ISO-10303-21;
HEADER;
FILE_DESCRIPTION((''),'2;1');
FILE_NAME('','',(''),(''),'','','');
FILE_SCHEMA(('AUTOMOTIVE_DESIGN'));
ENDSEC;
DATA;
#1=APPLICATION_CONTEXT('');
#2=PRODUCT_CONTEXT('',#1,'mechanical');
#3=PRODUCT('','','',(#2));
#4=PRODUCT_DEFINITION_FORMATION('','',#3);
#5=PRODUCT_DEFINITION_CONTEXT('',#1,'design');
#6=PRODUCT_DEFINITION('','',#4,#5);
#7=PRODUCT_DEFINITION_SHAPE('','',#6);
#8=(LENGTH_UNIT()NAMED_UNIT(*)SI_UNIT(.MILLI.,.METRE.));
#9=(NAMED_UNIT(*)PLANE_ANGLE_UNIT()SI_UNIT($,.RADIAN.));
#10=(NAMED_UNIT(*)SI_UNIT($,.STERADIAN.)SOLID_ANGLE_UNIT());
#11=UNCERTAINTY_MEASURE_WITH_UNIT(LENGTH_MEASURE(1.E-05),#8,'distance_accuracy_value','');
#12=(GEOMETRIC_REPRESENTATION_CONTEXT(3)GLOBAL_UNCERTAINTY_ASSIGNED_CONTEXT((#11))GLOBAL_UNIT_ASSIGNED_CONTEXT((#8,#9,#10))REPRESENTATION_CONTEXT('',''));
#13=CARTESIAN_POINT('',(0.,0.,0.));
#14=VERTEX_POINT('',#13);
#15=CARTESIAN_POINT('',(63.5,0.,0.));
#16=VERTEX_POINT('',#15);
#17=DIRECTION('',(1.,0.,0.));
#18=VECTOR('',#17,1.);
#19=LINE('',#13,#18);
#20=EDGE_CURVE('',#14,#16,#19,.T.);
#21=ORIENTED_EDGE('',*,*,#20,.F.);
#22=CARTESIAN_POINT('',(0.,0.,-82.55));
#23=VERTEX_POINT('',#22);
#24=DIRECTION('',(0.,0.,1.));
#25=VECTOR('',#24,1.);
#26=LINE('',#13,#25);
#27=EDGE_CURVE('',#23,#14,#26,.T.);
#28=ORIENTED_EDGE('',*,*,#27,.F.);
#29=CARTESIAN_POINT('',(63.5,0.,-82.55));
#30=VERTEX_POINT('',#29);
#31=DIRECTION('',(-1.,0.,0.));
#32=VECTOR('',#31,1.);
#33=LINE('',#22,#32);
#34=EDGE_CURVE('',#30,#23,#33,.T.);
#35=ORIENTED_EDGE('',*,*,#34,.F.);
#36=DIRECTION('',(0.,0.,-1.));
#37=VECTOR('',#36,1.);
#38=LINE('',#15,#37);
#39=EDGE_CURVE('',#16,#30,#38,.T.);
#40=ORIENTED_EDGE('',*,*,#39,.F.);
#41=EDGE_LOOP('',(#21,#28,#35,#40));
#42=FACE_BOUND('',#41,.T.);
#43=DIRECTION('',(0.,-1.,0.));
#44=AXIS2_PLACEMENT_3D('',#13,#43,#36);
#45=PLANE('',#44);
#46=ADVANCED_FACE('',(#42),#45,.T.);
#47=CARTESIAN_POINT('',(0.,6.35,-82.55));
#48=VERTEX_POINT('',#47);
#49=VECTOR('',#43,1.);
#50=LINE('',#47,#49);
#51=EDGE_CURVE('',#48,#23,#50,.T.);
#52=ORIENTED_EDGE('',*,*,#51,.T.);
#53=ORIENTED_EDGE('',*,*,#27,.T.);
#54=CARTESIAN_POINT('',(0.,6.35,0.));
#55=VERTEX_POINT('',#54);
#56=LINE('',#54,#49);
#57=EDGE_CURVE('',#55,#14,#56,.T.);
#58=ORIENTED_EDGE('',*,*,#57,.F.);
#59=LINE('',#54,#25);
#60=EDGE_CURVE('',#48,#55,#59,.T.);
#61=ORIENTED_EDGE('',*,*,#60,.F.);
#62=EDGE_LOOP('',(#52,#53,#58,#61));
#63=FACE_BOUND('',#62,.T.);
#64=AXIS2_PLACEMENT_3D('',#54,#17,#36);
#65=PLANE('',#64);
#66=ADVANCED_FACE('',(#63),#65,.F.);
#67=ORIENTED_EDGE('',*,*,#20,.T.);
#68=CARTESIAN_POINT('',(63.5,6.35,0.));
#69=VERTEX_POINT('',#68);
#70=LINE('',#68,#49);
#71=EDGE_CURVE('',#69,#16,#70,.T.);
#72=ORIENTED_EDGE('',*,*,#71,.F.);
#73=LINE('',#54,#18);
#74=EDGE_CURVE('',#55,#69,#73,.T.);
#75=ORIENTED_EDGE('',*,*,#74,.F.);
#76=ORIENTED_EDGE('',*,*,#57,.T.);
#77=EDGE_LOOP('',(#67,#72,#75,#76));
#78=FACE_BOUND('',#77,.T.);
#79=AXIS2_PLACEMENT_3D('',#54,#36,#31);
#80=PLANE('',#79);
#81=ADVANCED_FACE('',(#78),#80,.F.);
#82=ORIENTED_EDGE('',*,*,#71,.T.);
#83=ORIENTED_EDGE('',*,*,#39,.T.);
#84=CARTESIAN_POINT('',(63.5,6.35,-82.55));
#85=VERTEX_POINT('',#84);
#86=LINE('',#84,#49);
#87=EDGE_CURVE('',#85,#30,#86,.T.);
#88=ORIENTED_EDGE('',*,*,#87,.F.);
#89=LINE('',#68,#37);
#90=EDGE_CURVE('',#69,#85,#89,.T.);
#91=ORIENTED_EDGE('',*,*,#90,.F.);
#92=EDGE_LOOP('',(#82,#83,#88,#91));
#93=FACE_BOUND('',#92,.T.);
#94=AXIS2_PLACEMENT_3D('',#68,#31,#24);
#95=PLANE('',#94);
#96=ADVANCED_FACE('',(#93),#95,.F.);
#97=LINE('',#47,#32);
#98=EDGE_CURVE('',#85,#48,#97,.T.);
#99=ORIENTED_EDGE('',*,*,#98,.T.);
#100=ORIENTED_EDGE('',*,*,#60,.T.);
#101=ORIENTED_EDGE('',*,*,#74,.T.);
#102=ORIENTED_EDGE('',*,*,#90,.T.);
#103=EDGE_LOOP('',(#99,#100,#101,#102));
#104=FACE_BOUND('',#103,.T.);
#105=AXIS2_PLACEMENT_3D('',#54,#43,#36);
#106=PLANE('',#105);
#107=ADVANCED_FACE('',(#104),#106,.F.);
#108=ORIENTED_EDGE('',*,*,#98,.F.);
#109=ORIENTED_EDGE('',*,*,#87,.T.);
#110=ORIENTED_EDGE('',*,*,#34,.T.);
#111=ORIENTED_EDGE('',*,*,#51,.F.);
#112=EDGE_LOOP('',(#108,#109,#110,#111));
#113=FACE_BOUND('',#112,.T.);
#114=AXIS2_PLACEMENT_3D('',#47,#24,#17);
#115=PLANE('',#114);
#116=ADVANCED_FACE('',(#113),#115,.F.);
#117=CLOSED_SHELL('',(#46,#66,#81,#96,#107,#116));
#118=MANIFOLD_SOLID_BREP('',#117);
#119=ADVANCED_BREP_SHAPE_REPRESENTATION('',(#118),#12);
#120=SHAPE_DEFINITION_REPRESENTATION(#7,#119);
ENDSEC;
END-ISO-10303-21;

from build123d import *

# Parameters (mm, degrees)
SKETCH1_W           = 63.5
SKETCH1_H           = 82.55
BOSS_EXTRUDE1_DEPTH = 6.35


with BuildPart() as part:
    # Sketch1 → Boss-Extrude1 (new body)
    with BuildSketch(Plane(origin=(0, 0, 0), x_dir=(1, 0, 0), z_dir=(0, 1, 0))):
        with Locations((31.75, 41.275)):
            Rectangle(SKETCH1_W, SKETCH1_H)
    extrude(amount=BOSS_EXTRUDE1_DEPTH)


solid = part.part
